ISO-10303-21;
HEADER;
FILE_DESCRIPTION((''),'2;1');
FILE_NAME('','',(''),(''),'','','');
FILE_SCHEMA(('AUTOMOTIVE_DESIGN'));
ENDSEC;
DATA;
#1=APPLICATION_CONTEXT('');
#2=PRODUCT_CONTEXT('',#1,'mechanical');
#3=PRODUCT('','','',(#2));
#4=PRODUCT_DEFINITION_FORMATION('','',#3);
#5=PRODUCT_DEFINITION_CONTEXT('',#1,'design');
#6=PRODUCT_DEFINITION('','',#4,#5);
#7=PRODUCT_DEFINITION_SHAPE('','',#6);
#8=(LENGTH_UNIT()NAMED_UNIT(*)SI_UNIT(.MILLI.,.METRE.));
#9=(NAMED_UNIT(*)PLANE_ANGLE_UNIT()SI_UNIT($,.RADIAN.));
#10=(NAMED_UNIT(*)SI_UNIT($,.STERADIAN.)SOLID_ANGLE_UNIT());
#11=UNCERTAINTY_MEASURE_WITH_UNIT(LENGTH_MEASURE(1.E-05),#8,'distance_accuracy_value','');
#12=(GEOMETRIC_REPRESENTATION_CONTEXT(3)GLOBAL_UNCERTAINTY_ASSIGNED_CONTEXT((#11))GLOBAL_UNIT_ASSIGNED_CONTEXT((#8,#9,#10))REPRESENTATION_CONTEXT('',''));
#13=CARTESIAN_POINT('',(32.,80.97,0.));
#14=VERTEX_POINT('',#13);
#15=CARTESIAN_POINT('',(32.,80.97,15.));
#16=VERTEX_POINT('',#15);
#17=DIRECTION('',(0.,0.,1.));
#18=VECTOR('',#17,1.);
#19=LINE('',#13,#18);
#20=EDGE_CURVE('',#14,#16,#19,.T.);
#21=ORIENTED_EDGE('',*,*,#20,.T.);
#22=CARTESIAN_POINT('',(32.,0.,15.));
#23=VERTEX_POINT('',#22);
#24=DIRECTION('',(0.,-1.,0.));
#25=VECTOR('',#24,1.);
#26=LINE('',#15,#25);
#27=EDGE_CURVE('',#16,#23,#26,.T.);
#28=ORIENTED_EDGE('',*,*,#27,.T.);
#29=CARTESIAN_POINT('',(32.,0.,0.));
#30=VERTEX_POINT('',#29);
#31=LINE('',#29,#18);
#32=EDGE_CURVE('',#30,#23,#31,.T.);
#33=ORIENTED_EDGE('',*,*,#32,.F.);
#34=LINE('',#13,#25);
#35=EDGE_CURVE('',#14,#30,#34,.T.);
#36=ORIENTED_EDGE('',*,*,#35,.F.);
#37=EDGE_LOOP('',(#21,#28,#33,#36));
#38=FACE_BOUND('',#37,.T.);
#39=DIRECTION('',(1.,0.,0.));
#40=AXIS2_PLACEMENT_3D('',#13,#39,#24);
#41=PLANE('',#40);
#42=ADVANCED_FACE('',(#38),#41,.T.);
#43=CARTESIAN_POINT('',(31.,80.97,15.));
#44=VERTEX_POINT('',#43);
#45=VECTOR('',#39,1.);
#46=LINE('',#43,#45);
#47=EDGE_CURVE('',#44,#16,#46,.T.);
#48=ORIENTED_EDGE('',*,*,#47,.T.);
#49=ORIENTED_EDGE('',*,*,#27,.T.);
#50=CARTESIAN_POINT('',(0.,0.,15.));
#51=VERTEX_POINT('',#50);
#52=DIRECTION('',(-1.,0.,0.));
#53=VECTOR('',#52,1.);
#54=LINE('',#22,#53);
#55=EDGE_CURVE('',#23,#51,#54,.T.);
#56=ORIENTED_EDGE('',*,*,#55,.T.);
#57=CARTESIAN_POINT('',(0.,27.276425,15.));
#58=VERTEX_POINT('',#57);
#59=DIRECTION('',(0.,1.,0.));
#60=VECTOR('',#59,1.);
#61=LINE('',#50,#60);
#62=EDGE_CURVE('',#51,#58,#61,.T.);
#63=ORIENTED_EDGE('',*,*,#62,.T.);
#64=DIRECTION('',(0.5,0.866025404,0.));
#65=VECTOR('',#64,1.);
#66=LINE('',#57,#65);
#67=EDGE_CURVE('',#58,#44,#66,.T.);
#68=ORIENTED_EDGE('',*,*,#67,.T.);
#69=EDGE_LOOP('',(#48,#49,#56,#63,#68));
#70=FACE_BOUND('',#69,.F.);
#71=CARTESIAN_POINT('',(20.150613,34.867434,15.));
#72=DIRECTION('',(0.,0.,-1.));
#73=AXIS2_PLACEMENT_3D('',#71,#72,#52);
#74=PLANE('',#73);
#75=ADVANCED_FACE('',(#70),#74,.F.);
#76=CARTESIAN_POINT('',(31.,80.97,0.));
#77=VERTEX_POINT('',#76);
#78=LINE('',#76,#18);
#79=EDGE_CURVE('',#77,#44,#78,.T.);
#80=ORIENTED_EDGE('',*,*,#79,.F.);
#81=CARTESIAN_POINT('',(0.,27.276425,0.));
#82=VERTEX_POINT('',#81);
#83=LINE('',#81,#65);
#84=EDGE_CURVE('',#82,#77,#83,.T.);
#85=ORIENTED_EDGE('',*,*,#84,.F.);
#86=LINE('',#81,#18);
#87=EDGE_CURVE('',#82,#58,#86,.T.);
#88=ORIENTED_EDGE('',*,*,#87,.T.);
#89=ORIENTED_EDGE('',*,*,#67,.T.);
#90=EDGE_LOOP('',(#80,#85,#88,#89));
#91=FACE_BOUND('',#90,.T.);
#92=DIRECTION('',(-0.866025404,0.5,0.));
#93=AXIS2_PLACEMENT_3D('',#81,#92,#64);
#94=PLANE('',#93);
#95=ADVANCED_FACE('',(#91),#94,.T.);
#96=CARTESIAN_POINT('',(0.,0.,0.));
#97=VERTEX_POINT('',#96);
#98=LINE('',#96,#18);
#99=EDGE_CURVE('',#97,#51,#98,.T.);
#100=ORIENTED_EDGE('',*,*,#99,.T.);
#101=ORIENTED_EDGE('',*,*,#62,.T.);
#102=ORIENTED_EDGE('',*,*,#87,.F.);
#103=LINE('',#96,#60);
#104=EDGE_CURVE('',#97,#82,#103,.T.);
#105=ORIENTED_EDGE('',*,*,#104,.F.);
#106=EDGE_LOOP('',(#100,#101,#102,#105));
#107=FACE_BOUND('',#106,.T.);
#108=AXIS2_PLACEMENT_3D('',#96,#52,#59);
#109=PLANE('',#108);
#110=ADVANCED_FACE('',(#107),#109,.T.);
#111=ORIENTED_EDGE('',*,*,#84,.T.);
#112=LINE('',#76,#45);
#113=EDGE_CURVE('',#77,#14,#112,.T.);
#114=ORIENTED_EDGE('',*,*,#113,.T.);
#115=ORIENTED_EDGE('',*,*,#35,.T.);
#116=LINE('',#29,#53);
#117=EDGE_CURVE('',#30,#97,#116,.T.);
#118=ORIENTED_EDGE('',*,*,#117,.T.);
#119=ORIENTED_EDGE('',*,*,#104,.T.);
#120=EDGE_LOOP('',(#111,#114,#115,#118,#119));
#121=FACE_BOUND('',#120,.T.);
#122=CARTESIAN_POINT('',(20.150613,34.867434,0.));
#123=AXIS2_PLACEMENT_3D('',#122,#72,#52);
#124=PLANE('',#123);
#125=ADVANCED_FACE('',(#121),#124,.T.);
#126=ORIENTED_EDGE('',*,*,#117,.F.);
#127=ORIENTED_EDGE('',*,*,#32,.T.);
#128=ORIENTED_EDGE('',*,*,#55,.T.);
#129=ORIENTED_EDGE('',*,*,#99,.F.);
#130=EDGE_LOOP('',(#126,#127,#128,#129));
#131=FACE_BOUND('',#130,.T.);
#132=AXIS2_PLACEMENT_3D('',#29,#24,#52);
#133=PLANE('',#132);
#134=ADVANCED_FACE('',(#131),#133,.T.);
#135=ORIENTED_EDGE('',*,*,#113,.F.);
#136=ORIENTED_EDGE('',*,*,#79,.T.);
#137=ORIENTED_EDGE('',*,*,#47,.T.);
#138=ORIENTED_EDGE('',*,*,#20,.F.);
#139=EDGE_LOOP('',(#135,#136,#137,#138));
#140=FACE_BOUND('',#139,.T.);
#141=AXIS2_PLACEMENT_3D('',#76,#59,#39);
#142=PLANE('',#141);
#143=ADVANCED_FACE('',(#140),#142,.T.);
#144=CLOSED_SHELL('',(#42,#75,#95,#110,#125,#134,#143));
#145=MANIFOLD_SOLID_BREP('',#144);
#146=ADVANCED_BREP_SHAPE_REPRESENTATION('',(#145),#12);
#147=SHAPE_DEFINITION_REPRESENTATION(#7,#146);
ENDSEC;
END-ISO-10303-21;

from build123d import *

# Parameters (mm, degrees)
BOSS_EXTRUDE1_DEPTH = 15


with BuildPart() as part:
    # Sketch1 → Boss-Extrude1 (new body)
    with BuildSketch(Plane.XY):
        Polygon((0, 27.276424965), (31, 80.97), (32, 80.97), (32, 0), (0, 0), align=None)
    extrude(amount=BOSS_EXTRUDE1_DEPTH)


solid = part.part
